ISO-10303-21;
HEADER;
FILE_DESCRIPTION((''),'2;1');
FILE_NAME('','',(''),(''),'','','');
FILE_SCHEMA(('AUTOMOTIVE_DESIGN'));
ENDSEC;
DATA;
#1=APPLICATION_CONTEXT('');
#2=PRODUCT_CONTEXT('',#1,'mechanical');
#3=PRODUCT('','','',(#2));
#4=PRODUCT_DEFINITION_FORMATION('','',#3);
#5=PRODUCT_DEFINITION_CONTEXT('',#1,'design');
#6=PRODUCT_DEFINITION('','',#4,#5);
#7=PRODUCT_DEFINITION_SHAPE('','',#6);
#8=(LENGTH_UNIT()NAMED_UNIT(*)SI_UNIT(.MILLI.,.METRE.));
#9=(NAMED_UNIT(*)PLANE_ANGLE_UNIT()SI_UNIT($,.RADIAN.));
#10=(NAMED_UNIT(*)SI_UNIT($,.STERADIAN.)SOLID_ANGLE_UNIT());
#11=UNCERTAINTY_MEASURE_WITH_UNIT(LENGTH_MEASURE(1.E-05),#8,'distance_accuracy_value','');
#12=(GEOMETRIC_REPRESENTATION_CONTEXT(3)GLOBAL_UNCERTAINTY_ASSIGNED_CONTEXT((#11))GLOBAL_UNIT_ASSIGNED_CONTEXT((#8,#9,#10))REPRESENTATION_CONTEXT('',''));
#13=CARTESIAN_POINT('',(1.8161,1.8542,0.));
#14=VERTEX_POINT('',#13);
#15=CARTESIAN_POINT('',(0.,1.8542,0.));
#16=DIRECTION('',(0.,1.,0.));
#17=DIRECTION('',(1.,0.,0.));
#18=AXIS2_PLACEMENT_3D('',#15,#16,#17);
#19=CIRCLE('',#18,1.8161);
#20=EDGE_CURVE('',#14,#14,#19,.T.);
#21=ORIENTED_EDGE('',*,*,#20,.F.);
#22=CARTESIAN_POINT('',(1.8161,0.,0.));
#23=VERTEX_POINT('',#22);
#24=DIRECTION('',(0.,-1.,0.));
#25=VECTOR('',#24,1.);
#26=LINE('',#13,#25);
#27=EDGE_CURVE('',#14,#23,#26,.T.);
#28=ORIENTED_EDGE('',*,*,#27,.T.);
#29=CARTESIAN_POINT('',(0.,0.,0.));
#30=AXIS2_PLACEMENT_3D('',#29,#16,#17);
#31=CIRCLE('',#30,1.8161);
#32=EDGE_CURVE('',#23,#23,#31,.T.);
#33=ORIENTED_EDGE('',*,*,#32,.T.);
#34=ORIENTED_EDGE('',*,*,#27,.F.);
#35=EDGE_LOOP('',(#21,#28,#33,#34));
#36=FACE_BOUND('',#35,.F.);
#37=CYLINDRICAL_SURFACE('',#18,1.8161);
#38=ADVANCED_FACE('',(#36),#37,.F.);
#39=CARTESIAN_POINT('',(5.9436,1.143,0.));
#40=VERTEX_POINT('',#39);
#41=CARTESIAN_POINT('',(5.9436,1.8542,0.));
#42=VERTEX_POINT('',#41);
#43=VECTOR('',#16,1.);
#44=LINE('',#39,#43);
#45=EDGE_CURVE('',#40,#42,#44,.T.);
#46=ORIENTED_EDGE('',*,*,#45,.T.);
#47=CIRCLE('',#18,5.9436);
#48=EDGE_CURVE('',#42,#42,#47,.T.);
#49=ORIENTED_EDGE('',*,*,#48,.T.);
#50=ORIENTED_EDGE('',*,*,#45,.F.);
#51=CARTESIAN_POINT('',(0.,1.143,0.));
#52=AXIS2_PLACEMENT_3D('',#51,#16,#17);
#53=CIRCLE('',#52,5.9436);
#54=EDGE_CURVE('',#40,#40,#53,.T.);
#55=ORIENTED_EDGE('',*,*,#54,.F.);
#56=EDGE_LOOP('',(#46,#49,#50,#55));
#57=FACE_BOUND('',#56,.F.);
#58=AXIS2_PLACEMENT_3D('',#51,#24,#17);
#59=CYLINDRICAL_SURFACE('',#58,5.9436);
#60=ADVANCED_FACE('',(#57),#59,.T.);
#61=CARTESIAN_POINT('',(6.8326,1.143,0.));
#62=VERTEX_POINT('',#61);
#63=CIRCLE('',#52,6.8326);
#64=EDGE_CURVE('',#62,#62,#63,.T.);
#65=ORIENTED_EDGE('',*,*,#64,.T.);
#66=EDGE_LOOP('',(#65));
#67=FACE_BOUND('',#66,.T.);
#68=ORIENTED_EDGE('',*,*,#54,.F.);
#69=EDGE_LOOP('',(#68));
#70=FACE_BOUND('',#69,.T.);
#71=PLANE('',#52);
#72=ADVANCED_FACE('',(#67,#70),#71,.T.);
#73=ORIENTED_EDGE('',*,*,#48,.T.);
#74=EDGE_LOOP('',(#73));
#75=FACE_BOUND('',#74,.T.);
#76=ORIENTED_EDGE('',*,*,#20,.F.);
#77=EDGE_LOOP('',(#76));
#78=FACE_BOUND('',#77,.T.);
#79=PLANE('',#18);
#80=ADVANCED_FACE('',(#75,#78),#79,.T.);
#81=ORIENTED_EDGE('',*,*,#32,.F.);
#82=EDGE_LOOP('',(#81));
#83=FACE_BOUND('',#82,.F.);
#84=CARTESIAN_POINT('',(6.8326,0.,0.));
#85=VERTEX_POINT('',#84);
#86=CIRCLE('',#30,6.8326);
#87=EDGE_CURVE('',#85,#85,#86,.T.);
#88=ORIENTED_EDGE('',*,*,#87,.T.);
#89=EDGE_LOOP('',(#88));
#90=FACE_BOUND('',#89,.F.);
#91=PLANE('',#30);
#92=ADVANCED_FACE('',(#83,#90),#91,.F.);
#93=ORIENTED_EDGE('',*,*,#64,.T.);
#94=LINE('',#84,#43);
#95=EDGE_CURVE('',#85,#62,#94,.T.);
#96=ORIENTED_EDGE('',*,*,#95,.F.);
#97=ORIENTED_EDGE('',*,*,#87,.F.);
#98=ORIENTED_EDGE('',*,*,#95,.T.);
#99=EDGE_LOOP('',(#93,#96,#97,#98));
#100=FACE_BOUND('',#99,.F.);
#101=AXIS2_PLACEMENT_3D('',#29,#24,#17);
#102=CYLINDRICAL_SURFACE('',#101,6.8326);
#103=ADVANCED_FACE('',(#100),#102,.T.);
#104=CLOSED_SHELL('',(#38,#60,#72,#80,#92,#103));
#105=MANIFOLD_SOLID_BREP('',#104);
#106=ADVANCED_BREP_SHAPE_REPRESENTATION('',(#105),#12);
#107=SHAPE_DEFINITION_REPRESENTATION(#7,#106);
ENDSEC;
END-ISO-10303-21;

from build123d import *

# Parameters (mm, degrees)
SKETCH2_R           = 6.8326
BOSS_EXTRUDE1_DEPTH = 1.143
SKETCH3_R           = 5.9436
BOSS_EXTRUDE2_DEPTH = 0.7112
SKETCH4_R           = 1.8161
CUT_EXTRUDE1_DEPTH  = 2.8542


with BuildPart() as part:
    # Sketch2 → Boss-Extrude1 (new body)
    with BuildSketch(Plane(origin=(0, 0, 0), x_dir=(1, 0, 0), z_dir=(0, 1, 0))):
        Circle(SKETCH2_R)
    extrude(amount=BOSS_EXTRUDE1_DEPTH)

    # Sketch3 → Boss-Extrude2 (add)
    with BuildSketch(Plane(origin=(0, 1.143, 0), x_dir=(1, 0, 0), z_dir=(0, 1, 0))):
        Circle(SKETCH3_R)
    extrude(amount=BOSS_EXTRUDE2_DEPTH)

    # Sketch4 → Cut-Extrude1 (cut, through all)
    with BuildSketch(Plane(origin=(0, 1.8542, 0), x_dir=(1, 0, 0), z_dir=(0, 1, 0))):
        Circle(SKETCH4_R)
    extrude(amount=-CUT_EXTRUDE1_DEPTH, mode=Mode.SUBTRACT)


solid = part.part
